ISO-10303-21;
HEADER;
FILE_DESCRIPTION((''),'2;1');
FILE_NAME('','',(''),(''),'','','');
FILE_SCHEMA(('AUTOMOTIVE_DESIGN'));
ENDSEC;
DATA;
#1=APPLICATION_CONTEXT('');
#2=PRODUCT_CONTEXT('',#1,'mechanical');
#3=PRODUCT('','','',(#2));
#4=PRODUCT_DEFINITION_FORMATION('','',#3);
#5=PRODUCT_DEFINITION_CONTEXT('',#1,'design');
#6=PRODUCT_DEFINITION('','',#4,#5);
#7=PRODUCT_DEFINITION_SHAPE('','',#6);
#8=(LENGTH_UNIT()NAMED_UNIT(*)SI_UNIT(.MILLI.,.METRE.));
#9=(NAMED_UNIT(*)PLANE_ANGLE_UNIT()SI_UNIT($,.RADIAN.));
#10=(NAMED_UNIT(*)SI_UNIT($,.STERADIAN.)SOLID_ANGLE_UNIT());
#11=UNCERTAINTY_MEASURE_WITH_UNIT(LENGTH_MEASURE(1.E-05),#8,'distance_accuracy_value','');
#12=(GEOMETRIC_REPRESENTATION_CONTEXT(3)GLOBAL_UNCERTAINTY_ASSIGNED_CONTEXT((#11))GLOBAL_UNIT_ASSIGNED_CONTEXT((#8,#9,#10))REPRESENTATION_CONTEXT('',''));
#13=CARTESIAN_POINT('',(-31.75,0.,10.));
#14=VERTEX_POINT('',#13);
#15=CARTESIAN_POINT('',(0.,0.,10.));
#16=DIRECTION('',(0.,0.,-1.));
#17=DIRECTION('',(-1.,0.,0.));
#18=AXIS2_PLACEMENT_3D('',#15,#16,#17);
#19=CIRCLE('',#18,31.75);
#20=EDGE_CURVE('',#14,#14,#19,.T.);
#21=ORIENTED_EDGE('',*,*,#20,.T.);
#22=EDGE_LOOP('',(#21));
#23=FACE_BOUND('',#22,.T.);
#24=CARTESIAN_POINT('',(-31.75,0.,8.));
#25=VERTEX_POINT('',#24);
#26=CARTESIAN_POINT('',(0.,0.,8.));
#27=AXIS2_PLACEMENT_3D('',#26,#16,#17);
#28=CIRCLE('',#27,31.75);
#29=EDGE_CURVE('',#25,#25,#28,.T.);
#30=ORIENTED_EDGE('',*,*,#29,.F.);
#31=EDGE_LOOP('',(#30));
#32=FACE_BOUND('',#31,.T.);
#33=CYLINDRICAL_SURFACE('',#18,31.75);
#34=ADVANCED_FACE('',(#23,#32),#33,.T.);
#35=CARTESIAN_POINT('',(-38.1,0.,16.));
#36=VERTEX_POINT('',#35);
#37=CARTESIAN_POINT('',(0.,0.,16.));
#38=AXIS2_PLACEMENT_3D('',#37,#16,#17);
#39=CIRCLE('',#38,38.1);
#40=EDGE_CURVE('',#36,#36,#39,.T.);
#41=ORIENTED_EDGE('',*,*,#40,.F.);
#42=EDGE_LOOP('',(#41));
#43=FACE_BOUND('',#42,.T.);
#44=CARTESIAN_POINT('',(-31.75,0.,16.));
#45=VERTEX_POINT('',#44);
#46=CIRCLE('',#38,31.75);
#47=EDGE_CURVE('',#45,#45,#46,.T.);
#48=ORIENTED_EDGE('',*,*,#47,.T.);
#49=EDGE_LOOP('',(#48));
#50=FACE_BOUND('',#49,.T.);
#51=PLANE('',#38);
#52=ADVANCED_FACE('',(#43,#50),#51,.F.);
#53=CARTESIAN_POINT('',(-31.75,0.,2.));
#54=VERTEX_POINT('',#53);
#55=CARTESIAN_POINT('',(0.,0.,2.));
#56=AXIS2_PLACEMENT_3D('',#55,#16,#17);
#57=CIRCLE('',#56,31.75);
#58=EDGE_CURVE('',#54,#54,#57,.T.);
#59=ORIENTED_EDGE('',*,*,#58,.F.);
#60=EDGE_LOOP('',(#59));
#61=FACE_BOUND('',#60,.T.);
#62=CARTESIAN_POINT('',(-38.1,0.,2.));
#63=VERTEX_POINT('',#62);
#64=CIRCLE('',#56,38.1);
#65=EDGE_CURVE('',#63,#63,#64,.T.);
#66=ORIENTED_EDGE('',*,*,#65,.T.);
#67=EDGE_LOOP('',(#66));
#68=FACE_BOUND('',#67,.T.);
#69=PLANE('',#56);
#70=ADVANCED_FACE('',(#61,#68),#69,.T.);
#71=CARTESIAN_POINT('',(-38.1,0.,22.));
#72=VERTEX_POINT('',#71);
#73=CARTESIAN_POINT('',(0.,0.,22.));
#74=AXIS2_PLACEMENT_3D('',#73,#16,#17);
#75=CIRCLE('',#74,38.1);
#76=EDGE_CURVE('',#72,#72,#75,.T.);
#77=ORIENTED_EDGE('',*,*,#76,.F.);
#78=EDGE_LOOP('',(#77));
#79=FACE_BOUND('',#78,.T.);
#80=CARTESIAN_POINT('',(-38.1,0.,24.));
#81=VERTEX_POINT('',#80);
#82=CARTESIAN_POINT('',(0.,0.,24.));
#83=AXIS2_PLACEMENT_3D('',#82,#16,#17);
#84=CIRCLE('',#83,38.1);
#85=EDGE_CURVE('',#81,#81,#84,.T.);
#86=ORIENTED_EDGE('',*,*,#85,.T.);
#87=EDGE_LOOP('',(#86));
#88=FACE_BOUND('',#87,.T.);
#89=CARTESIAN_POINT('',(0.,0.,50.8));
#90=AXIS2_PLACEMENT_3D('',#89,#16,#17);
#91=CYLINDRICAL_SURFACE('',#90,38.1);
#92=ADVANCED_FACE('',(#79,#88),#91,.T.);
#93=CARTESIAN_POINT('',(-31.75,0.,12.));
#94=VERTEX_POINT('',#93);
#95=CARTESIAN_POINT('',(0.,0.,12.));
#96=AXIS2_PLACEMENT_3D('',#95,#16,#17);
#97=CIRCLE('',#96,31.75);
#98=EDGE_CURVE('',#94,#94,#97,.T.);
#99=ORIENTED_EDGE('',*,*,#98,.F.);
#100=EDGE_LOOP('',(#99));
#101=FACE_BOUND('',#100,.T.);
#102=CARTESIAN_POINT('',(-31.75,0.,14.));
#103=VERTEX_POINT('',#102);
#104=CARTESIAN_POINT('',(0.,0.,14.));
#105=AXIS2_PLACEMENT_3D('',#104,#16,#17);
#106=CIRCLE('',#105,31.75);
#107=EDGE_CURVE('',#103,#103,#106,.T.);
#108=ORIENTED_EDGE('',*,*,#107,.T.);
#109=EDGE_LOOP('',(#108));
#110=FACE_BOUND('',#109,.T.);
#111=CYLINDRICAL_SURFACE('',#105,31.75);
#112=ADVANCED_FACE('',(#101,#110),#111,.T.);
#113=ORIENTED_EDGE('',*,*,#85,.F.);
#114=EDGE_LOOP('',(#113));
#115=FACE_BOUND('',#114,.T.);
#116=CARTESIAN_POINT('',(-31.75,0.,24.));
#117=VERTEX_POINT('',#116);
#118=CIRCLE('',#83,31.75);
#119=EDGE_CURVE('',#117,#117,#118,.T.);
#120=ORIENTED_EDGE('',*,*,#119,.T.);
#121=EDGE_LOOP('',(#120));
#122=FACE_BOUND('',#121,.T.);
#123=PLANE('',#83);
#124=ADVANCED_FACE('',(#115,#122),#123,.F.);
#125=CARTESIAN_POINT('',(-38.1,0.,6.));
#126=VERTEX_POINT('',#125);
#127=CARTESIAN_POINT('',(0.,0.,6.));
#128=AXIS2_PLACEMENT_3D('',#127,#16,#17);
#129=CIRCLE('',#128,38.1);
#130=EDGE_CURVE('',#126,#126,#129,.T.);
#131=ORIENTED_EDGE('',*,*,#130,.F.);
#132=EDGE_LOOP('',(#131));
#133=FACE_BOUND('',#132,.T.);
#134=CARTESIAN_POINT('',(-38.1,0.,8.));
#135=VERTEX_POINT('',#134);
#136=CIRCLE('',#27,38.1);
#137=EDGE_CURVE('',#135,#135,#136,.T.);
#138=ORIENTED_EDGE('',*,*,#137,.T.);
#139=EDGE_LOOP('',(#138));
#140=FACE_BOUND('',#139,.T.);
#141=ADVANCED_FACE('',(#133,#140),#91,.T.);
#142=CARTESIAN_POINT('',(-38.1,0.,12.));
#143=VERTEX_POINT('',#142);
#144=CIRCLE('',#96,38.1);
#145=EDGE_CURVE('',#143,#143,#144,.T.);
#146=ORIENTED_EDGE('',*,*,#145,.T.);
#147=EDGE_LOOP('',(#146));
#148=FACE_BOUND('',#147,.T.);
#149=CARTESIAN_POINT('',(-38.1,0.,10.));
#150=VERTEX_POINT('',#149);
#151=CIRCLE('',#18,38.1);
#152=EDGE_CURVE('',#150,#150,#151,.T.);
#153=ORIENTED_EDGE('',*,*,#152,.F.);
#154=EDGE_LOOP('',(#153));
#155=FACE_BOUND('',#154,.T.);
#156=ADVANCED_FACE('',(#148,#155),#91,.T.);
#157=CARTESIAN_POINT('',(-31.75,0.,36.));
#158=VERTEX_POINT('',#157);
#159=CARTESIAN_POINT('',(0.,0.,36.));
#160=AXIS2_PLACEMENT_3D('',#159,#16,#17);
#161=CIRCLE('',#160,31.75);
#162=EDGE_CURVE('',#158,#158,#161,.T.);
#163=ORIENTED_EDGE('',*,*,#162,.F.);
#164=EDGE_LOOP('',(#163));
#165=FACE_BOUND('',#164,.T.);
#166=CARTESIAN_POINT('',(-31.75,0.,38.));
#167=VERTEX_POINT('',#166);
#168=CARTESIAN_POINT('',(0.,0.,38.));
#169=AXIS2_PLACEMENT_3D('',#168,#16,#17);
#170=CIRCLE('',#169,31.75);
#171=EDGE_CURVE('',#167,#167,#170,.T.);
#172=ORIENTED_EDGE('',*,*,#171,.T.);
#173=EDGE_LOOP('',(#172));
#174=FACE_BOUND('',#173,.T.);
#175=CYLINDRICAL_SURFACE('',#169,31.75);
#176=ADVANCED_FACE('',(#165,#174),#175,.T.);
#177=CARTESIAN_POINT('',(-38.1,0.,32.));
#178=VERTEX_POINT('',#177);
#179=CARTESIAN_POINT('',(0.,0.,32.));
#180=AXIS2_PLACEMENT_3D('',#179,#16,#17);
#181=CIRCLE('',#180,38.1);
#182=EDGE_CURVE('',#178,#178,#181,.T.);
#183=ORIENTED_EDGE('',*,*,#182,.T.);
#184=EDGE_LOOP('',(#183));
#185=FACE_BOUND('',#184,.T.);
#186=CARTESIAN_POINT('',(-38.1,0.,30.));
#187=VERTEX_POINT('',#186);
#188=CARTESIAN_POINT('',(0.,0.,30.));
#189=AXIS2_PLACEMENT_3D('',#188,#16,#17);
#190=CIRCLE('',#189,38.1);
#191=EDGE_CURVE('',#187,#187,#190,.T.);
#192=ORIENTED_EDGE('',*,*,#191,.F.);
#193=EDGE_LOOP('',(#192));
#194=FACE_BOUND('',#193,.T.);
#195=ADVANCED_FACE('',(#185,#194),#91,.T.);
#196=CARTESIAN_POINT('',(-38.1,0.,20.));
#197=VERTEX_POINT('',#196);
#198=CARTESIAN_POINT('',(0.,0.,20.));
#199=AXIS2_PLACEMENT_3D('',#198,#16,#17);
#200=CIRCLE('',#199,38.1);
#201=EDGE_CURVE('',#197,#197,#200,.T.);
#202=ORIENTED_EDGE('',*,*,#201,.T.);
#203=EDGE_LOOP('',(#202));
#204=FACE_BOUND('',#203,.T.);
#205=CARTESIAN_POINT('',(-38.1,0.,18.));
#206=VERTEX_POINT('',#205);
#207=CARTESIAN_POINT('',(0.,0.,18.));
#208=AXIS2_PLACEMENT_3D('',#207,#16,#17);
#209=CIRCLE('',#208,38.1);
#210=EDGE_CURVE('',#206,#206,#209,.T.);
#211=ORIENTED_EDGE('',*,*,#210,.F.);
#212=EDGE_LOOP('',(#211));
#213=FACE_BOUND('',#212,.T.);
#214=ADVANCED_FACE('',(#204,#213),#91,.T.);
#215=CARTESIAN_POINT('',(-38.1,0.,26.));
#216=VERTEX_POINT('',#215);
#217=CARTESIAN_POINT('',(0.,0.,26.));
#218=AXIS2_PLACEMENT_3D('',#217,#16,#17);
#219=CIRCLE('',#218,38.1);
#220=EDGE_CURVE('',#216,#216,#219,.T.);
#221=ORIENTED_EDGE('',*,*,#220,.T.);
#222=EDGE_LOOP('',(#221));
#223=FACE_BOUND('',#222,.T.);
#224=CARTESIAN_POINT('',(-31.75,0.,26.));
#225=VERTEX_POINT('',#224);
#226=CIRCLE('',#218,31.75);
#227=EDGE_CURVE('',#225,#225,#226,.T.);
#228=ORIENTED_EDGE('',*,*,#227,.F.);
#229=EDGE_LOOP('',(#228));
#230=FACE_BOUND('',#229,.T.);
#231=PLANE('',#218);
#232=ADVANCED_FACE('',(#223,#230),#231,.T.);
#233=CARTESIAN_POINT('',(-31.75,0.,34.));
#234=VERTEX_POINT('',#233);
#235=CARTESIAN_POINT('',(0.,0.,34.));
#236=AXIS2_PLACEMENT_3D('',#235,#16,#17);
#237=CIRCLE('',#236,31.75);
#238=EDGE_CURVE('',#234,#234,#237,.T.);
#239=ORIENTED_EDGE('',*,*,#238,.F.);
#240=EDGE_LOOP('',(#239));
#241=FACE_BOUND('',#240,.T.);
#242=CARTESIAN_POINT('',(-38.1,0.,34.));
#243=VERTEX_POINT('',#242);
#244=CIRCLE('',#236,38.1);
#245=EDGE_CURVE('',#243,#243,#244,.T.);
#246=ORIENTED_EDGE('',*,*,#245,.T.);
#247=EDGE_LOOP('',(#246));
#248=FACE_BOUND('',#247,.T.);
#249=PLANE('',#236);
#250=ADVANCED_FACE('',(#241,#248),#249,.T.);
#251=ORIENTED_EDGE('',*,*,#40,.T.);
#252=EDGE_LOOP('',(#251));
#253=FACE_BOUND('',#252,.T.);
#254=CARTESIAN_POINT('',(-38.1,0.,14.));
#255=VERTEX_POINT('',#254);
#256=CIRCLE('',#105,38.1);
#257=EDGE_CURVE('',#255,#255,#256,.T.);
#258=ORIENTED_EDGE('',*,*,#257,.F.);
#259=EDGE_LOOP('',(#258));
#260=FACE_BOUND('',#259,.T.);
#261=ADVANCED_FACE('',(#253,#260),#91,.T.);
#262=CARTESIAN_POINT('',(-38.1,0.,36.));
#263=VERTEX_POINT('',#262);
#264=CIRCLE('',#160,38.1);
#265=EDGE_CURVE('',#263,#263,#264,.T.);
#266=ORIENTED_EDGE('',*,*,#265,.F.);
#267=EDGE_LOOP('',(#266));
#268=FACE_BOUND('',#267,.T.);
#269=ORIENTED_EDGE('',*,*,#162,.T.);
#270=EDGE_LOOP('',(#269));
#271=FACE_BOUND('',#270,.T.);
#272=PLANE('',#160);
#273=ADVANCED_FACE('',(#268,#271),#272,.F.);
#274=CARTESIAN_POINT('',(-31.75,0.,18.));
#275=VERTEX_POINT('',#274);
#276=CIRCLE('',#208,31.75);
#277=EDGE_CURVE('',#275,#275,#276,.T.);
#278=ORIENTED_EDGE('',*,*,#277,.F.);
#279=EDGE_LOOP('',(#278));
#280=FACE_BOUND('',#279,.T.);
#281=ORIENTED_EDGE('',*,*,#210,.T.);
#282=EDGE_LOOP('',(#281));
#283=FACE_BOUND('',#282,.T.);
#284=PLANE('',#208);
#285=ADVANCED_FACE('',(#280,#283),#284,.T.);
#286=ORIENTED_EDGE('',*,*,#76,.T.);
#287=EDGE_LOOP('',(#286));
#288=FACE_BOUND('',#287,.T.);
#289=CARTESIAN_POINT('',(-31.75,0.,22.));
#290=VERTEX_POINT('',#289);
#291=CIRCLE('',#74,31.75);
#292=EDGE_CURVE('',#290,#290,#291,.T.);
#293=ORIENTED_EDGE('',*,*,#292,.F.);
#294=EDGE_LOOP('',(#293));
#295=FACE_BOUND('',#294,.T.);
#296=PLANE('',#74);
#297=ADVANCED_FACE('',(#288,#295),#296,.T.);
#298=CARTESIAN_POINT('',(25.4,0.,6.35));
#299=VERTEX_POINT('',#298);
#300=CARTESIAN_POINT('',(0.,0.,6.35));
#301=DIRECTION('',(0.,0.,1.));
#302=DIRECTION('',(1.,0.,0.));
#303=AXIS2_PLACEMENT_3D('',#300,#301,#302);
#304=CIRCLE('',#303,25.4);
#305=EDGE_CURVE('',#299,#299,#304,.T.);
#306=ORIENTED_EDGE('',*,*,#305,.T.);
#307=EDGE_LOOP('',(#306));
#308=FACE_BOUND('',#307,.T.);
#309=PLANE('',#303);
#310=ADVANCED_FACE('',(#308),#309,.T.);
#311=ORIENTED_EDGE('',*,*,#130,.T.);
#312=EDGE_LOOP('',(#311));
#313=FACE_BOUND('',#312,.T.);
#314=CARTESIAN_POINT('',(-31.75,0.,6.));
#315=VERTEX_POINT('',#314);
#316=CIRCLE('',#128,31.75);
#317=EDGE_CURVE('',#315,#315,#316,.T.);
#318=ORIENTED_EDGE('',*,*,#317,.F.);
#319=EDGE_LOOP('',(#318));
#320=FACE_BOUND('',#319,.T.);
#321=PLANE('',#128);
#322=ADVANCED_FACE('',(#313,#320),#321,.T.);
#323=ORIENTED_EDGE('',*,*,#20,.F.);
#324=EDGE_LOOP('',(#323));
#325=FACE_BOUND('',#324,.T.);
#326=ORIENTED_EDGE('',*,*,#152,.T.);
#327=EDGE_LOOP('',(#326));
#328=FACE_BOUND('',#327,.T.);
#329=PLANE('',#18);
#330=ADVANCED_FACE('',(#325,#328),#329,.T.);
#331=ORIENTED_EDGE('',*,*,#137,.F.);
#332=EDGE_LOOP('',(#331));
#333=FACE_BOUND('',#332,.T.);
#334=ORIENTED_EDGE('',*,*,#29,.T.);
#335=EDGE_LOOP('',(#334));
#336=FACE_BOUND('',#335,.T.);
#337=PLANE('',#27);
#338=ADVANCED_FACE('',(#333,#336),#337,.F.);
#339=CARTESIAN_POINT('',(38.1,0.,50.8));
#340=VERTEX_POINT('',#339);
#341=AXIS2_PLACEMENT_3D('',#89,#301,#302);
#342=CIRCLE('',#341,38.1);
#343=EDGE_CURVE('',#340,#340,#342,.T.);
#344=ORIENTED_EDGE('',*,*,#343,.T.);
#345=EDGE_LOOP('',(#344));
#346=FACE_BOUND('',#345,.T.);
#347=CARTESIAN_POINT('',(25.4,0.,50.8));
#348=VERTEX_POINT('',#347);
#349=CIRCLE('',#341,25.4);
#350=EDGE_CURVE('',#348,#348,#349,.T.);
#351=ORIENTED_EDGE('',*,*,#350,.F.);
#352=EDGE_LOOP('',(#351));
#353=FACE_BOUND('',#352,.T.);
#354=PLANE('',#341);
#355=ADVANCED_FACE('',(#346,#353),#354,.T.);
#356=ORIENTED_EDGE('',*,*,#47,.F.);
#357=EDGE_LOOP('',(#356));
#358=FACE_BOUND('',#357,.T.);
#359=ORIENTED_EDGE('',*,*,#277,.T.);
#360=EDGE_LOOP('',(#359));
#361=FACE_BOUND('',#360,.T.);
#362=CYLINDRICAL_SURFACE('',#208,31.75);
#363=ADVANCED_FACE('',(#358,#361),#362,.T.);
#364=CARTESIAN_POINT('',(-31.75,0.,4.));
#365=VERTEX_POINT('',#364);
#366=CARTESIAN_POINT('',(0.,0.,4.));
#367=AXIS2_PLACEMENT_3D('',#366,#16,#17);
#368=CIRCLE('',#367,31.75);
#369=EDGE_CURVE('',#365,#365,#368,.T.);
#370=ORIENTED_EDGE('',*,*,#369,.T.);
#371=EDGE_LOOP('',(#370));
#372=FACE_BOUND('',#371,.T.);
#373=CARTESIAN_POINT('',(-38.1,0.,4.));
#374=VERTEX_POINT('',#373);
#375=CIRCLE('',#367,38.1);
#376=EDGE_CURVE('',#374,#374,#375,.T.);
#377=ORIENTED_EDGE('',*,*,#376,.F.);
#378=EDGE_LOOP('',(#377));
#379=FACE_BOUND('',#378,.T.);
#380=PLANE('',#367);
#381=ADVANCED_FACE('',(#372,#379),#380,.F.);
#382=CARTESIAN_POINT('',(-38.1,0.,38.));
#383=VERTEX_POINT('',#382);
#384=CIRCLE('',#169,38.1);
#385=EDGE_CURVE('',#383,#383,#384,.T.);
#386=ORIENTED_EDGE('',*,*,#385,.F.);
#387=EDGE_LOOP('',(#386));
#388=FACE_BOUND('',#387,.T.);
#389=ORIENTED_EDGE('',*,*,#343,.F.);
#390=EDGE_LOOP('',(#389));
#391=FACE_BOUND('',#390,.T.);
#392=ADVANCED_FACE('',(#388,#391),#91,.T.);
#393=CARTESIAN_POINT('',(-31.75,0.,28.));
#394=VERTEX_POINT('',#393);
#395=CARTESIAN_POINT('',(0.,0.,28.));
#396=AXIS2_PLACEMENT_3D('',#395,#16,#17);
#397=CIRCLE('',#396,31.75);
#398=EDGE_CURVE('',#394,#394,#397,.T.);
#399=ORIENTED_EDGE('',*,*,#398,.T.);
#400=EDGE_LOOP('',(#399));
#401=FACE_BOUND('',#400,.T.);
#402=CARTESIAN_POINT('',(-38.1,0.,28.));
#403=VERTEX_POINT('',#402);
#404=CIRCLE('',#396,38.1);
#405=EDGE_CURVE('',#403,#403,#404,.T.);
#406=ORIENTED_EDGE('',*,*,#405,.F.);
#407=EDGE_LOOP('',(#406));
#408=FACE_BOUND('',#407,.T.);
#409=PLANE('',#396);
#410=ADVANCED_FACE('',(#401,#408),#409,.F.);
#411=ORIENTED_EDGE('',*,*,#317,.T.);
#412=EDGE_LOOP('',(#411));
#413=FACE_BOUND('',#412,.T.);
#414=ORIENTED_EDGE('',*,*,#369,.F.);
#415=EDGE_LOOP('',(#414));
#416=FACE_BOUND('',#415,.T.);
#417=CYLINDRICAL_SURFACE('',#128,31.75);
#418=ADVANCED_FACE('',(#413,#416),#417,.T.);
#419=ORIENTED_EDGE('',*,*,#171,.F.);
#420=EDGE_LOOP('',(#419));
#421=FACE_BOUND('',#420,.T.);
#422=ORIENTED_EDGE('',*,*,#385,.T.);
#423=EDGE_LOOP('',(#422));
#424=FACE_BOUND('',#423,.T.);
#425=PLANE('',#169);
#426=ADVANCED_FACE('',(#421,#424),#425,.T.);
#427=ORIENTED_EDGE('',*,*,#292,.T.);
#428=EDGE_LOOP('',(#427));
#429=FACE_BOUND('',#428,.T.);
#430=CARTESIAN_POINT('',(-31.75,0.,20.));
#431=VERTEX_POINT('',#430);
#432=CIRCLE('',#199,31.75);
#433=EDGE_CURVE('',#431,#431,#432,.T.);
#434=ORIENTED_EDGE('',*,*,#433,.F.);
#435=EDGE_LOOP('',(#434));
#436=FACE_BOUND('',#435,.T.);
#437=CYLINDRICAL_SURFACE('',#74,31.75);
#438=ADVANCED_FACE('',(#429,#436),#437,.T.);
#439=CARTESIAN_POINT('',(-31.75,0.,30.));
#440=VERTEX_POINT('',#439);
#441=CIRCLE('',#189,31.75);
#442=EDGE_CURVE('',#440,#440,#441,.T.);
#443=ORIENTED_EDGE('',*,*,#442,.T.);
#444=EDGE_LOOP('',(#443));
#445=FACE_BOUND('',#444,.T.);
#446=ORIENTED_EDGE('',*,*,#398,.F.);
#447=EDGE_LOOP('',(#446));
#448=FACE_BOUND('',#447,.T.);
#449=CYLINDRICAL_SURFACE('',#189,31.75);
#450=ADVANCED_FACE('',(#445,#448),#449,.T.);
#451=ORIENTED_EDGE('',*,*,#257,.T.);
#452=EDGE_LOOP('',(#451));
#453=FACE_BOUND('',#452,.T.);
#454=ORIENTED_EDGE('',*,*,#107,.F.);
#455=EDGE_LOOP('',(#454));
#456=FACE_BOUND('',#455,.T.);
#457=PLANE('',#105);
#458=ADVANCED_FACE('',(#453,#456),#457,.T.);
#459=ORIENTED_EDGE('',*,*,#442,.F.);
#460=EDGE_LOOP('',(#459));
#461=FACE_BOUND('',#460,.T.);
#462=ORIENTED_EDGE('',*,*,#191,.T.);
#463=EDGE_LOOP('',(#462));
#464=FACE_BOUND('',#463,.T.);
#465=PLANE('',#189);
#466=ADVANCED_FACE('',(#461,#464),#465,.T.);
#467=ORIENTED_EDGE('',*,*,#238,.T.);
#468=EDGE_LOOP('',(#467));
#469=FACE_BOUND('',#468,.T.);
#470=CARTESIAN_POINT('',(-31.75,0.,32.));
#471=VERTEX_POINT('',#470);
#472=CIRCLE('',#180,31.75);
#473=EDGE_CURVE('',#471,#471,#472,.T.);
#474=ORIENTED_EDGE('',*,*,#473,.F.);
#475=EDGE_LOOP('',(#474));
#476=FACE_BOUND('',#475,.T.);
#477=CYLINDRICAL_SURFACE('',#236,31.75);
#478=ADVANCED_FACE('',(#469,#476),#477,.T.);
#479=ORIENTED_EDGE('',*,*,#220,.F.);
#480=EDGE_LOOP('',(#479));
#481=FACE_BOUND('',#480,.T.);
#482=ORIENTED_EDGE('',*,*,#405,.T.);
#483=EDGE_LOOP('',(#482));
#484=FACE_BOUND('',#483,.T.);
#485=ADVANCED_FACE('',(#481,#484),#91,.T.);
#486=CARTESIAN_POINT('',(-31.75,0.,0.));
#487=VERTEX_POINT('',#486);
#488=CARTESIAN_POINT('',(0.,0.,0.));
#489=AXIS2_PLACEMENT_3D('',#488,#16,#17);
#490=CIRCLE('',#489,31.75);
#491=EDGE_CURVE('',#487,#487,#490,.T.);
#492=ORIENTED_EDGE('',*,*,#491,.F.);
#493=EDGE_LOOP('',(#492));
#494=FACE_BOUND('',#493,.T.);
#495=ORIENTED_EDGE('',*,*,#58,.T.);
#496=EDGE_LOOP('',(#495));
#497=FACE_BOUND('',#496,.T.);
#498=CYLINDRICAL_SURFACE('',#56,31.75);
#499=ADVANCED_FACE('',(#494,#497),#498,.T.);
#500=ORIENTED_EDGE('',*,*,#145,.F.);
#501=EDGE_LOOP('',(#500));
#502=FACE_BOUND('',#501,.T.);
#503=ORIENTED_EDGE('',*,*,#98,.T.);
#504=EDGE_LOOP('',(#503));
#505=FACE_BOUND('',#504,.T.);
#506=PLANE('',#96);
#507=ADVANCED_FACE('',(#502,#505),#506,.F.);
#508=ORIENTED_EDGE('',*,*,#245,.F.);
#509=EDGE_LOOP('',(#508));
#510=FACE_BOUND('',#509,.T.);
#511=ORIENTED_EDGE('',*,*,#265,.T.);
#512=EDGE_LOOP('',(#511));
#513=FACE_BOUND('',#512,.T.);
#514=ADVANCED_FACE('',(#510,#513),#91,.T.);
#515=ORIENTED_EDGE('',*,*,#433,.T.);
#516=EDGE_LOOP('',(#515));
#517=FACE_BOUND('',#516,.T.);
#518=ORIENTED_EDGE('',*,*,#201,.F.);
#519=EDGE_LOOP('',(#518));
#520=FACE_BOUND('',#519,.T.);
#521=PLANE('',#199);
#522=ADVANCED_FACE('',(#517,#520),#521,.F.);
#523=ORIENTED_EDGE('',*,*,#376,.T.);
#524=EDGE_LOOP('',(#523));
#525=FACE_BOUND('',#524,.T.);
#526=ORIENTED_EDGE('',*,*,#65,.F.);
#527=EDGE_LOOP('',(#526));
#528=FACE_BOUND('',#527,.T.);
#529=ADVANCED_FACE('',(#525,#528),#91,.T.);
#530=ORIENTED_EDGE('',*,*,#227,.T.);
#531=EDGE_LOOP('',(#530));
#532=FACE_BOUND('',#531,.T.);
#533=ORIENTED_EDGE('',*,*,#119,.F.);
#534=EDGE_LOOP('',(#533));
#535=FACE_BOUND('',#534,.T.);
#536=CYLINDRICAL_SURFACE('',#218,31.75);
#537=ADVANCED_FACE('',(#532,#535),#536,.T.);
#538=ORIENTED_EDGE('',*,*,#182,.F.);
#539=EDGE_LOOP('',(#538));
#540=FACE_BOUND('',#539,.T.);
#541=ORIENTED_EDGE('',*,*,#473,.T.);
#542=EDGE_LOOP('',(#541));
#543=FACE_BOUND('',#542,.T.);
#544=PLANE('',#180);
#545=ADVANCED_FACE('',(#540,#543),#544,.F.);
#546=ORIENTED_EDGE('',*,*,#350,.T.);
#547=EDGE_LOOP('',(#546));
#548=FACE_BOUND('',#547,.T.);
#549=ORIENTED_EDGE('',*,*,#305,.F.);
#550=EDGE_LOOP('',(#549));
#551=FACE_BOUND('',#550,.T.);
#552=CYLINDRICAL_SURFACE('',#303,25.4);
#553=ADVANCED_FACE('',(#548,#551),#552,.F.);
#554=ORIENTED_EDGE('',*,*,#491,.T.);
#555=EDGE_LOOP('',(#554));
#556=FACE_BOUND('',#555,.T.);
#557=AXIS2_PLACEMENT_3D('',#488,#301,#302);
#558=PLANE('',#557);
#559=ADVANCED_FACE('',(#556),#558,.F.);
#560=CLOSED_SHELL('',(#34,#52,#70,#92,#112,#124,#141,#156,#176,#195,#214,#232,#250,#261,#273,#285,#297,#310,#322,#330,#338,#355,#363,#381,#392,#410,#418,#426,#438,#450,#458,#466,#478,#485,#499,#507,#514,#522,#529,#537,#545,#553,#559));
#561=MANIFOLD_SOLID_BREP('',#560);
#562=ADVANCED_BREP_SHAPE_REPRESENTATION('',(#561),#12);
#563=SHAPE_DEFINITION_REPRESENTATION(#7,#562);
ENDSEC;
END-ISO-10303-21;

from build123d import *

# Parameters (mm, degrees)
ESQUISSE1_R                = 38.1
BOSS_EXTRU_1_DEPTH         = 50.8
ESQUISSE2_OUTSIDE_W        = 102.028
ESQUISSE2_OUTSIDE_H        = 102.028
ESQUISSE2_OUTSIDE_R        = 31.75
ENL_V_MAT_EXTRU_3_DEPTH    = 2
R_P_TITION_LIN_AIRE1_COUNT = 10
R_P_TITION_LIN_AIRE1_PITCH = 4
ESQUISSE5_R                = 25.4
ENL_V_MAT_EXTRU_5_DEPTH    = 44.45


with BuildPart() as part:
    # Esquisse1 → Boss.-Extru.1 (new body)
    with BuildSketch(Plane.XY):
        Circle(ESQUISSE1_R)
    extrude(amount=BOSS_EXTRU_1_DEPTH)

    # Esquisse2 outside → Enlèv. mat.-Extru.3 (cut)
    with BuildSketch(Plane(origin=(0, 0, 0), x_dir=(-1, 0, 0), z_dir=(0, 0, -1))):
        Rectangle(ESQUISSE2_OUTSIDE_W, ESQUISSE2_OUTSIDE_H)
        Circle(ESQUISSE2_OUTSIDE_R, mode=Mode.SUBTRACT)
    enl_v_mat_extru_3 = extrude(amount=-ENL_V_MAT_EXTRU_3_DEPTH, mode=Mode.SUBTRACT)

    # Répétition linéaire1: Enlèv. mat.-Extru.3 ×10
    with Locations(*[(0, 0, i * R_P_TITION_LIN_AIRE1_PITCH) for i in range(1, R_P_TITION_LIN_AIRE1_COUNT)]):
        add(enl_v_mat_extru_3, mode=Mode.SUBTRACT)

    # Esquisse5 → Enlèv. mat.-Extru.5 (cut)
    with BuildSketch(Plane.XY.offset(50.8)):
        Circle(ESQUISSE5_R)
    extrude(amount=-ENL_V_MAT_EXTRU_5_DEPTH, mode=Mode.SUBTRACT)


solid = part.part
